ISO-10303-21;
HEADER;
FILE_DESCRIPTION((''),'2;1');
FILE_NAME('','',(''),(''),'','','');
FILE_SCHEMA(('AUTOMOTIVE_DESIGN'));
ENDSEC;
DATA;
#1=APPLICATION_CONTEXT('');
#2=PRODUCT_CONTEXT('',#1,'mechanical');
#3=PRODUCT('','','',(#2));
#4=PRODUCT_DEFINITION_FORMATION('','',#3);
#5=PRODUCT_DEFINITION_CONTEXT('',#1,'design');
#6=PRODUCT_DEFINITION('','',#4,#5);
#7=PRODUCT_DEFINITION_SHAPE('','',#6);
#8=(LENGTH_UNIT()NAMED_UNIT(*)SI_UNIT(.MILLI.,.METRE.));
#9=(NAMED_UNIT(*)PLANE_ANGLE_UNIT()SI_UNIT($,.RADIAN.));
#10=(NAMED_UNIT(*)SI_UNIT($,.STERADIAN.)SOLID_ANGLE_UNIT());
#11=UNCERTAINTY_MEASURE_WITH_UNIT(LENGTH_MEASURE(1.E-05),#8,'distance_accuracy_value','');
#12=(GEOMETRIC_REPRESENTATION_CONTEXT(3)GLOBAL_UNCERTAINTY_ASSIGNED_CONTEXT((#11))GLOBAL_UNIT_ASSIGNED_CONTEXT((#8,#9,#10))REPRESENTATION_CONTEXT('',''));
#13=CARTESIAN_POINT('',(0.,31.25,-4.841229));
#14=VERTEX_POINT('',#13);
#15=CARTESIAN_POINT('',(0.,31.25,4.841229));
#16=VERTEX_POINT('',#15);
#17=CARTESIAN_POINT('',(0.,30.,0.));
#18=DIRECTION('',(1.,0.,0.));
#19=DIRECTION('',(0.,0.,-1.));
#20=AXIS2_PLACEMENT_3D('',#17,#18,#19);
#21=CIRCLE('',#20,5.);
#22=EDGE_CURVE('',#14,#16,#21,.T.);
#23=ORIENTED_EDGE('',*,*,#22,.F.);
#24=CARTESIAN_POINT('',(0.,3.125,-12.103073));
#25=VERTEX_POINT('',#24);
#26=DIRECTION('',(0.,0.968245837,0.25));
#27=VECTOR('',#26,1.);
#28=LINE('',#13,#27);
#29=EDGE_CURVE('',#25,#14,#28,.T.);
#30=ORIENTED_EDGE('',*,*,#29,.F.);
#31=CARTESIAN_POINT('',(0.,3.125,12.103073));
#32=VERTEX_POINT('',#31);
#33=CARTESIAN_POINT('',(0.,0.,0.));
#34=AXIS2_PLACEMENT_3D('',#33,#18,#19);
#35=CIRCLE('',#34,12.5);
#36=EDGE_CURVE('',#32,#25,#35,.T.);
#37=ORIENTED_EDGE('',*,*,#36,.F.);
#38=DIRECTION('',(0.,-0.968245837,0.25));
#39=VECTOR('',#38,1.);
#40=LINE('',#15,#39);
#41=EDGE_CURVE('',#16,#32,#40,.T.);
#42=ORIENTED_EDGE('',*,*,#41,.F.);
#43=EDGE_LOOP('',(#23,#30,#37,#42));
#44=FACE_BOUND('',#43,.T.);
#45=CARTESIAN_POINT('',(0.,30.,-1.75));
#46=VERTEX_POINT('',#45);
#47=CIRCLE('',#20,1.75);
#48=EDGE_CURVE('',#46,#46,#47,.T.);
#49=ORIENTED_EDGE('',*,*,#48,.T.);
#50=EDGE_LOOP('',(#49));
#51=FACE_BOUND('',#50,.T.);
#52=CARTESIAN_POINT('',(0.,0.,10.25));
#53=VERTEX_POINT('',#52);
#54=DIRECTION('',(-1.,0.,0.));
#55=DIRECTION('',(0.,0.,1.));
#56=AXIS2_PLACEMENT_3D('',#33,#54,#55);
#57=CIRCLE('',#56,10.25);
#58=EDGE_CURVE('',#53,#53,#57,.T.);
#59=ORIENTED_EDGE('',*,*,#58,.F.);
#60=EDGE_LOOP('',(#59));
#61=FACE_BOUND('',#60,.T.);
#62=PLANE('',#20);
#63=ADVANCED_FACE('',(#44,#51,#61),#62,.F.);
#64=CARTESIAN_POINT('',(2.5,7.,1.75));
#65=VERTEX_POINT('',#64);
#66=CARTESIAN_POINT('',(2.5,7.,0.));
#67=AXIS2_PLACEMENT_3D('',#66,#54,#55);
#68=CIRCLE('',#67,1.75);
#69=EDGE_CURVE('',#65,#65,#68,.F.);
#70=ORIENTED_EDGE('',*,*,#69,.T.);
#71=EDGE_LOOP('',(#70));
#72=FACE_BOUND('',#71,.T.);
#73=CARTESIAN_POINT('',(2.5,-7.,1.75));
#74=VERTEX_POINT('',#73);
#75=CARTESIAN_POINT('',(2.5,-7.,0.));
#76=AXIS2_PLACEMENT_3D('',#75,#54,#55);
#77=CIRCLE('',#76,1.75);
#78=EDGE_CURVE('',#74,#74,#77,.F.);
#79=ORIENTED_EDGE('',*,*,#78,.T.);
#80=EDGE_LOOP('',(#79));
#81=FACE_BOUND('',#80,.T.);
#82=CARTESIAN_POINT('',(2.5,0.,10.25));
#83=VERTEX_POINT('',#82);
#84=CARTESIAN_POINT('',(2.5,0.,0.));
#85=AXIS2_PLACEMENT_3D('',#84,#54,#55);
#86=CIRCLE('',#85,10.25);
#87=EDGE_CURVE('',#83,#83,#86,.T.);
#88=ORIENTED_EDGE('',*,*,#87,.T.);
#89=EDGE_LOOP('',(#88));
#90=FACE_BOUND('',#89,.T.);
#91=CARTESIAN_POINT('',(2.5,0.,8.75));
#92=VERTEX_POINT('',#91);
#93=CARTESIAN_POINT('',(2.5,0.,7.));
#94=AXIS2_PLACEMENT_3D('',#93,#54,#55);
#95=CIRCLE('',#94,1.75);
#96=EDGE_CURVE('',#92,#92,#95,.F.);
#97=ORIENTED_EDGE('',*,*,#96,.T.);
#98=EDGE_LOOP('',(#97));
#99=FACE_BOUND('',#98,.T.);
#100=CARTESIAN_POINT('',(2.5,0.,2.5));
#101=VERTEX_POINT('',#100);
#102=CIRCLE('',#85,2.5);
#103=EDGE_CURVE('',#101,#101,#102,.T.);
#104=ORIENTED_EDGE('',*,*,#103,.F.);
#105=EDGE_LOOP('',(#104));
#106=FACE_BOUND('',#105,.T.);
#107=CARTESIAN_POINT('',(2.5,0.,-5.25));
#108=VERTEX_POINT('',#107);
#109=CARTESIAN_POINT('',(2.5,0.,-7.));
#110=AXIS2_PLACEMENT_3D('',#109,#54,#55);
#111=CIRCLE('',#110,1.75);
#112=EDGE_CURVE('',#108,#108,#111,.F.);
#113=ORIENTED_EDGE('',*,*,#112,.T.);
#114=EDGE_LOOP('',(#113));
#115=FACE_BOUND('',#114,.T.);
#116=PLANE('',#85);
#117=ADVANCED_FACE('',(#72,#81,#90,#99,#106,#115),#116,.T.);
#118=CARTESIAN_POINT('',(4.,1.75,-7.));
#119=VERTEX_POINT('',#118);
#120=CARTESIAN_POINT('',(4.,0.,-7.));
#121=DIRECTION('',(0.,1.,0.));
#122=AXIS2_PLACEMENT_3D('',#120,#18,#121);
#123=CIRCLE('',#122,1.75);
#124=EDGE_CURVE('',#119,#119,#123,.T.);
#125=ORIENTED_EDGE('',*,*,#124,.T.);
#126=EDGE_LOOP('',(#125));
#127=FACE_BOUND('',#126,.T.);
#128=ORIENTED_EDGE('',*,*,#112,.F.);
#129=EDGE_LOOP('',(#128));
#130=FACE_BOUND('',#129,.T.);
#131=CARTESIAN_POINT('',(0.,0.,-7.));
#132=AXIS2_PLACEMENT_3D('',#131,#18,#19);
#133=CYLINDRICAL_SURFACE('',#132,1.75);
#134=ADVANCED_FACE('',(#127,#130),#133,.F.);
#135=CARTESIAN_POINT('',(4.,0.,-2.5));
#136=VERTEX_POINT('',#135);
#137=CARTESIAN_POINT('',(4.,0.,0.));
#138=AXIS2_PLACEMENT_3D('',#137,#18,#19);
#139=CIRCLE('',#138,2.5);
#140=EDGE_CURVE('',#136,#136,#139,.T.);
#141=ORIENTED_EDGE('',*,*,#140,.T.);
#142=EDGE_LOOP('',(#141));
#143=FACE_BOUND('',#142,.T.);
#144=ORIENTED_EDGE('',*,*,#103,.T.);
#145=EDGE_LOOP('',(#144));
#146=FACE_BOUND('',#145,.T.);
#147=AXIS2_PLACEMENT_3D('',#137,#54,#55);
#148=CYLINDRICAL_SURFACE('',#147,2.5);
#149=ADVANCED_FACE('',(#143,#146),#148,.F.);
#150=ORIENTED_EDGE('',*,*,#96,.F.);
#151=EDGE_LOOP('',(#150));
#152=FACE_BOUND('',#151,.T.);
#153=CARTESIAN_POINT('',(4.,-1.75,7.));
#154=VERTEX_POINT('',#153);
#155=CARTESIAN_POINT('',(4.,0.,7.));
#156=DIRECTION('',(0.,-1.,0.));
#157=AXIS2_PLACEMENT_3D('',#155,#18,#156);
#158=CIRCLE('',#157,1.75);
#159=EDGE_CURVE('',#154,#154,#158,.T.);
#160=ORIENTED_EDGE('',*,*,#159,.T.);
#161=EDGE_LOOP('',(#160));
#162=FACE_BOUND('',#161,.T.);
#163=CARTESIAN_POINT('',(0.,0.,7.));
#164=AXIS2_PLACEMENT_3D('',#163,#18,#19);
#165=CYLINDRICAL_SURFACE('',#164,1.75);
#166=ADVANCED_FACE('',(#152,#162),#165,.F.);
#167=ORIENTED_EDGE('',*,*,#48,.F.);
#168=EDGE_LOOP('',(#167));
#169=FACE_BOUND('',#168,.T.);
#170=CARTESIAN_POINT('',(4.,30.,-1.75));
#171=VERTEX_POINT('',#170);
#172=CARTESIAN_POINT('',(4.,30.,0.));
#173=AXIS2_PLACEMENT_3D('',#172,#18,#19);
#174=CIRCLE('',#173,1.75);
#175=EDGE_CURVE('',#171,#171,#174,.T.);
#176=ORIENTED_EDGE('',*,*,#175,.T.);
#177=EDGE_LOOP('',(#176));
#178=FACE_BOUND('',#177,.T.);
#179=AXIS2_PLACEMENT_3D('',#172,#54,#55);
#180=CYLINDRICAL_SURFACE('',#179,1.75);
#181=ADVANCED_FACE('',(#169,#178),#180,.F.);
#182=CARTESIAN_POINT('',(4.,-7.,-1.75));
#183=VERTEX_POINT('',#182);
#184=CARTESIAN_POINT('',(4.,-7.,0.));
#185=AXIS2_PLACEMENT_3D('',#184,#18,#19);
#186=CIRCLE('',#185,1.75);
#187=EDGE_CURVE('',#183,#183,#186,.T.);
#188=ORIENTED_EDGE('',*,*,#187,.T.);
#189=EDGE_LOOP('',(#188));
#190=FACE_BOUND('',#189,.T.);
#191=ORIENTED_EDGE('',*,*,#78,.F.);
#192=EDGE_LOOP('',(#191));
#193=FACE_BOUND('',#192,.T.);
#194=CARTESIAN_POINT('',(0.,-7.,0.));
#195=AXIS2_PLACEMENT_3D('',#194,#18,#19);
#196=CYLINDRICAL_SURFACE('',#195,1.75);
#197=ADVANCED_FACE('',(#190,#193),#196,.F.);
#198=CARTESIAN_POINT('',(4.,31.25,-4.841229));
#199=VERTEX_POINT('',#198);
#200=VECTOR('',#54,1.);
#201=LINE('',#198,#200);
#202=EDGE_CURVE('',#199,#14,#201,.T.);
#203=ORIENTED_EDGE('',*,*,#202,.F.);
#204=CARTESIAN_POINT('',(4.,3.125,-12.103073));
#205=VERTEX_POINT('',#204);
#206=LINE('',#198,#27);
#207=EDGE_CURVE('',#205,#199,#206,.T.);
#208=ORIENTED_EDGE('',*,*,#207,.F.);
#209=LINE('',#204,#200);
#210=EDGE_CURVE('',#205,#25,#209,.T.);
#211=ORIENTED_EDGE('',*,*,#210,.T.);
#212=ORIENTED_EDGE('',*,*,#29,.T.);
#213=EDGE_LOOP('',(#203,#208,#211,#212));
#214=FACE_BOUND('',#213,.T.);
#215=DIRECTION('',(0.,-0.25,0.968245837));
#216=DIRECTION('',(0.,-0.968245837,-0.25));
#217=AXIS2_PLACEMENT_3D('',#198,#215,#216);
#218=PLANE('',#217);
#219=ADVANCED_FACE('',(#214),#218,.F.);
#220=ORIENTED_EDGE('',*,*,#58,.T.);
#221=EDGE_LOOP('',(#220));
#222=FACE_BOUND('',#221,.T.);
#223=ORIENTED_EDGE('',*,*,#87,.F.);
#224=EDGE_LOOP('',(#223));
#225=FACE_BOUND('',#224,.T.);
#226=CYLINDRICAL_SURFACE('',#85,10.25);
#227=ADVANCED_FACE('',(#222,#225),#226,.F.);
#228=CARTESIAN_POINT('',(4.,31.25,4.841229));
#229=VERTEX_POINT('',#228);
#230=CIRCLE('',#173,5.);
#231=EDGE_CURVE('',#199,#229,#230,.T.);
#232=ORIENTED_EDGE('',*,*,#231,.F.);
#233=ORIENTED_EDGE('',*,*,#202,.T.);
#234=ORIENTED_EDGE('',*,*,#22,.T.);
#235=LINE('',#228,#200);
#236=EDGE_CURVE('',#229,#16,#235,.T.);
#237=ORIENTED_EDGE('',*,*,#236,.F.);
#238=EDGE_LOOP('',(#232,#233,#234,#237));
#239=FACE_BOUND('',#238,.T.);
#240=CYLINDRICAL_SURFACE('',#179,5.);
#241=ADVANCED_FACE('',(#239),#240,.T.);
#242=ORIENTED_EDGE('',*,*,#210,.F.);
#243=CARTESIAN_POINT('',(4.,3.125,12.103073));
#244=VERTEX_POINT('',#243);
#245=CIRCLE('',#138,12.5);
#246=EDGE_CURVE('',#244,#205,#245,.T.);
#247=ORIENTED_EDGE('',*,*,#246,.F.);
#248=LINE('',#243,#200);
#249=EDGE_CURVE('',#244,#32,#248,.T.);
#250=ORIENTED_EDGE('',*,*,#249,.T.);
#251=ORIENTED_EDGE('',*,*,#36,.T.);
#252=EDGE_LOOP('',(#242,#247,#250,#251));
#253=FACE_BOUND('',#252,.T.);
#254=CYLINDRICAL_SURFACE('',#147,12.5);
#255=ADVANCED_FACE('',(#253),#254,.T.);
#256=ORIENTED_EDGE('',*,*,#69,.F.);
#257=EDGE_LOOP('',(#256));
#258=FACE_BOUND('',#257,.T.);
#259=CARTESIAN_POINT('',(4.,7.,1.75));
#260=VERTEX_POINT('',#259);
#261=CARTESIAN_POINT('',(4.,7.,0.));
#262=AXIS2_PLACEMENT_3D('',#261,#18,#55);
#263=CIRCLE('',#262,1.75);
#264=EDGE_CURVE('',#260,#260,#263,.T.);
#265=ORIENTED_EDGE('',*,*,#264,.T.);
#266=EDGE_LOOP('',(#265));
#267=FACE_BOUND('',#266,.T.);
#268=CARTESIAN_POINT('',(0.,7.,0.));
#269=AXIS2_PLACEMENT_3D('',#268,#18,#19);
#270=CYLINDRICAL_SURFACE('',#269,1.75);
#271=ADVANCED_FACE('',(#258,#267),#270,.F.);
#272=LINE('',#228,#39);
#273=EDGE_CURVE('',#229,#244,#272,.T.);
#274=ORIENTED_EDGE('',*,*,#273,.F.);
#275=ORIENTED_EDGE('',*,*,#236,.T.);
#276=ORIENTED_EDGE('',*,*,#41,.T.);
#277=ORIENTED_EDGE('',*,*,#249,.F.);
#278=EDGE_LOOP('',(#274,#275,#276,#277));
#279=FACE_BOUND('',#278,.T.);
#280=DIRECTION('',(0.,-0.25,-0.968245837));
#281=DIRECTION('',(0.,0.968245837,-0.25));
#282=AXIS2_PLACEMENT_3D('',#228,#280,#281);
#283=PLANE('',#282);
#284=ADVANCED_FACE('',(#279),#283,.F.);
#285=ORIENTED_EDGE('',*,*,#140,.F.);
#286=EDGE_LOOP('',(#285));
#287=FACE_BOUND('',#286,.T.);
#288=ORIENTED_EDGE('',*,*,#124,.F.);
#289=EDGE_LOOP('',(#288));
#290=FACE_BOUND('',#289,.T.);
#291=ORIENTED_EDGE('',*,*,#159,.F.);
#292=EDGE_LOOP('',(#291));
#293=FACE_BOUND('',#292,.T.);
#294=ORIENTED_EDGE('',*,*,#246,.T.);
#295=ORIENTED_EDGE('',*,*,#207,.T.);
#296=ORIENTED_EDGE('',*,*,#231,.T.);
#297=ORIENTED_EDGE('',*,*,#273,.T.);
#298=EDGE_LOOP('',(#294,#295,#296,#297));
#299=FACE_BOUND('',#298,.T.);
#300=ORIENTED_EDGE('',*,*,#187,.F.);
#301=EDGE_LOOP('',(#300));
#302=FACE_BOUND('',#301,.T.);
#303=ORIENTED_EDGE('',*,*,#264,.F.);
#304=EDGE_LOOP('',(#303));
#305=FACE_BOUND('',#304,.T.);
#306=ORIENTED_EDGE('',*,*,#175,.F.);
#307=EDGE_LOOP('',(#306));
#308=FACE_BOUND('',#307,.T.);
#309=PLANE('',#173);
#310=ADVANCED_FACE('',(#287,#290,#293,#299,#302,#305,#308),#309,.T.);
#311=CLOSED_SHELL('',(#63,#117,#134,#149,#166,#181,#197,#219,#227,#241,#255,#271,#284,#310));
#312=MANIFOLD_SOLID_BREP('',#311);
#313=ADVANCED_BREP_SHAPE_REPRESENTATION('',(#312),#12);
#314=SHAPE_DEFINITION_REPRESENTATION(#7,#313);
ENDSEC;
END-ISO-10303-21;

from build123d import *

# Parameters (mm, degrees)
SKETCH_1_R               = 1.75
SKETCH_1_R_2             = 2.5
EXTRUDE_1_DEPTH          = 4
SKETCH_2_R               = 1.75
CUT_EXTRUDE_1_DEPTH      = 4
PATTERN_CIRCULAR_1_COUNT = 4
SKETCH_4_R               = 10.25
CUT_EXTRUDE_2_DEPTH      = 2.5


with BuildPart() as part:
    # 草图1 → 凸台-拉伸1 (new body)
    with BuildSketch(Plane(origin=(0, 0, 0), x_dir=(0, 0, -1), z_dir=(1, 0, 0))):
        with BuildLine():
            Line((-4.841229183, 31.25), (-12.103072957, 3.125))
            ThreePointArc((-12.103072957, 3.125), (0, -12.5), (12.103072957, 3.125))
            Line((12.103072957, 3.125), (4.841229183, 31.25))
            ThreePointArc((4.841229183, 31.25), (0, 35), (-4.841229183, 31.25))
        make_face()
        with Locations((0, 30)):
            Circle(SKETCH_1_R, mode=Mode.SUBTRACT)
        Circle(SKETCH_1_R_2, mode=Mode.SUBTRACT)
    extrude(amount=EXTRUDE_1_DEPTH)

    # 草图2 → 切除-拉伸1 (cut)
    with BuildSketch(Plane(origin=(4, 0, 0), x_dir=(0, 0, -1), z_dir=(1, 0, 0))):
        with Locations((0, -7)):
            Circle(SKETCH_2_R)
    cut_extrude_1 = extrude(amount=-CUT_EXTRUDE_1_DEPTH, mode=Mode.SUBTRACT)

    # 阵列(圆周)1: 切除-拉伸1 ×4 about axis
    pattern_circular_1_axis = Axis((0, 0, 0), (1, 0, 0))
    for i in range(1, PATTERN_CIRCULAR_1_COUNT):
        add(cut_extrude_1.rotate(pattern_circular_1_axis, i * 360 / PATTERN_CIRCULAR_1_COUNT), mode=Mode.SUBTRACT)

    # 草图4 → 切除-拉伸2 (cut)
    with BuildSketch(Plane.ZY):
        Circle(SKETCH_4_R)
    extrude(amount=-CUT_EXTRUDE_2_DEPTH, mode=Mode.SUBTRACT)


solid = part.part
